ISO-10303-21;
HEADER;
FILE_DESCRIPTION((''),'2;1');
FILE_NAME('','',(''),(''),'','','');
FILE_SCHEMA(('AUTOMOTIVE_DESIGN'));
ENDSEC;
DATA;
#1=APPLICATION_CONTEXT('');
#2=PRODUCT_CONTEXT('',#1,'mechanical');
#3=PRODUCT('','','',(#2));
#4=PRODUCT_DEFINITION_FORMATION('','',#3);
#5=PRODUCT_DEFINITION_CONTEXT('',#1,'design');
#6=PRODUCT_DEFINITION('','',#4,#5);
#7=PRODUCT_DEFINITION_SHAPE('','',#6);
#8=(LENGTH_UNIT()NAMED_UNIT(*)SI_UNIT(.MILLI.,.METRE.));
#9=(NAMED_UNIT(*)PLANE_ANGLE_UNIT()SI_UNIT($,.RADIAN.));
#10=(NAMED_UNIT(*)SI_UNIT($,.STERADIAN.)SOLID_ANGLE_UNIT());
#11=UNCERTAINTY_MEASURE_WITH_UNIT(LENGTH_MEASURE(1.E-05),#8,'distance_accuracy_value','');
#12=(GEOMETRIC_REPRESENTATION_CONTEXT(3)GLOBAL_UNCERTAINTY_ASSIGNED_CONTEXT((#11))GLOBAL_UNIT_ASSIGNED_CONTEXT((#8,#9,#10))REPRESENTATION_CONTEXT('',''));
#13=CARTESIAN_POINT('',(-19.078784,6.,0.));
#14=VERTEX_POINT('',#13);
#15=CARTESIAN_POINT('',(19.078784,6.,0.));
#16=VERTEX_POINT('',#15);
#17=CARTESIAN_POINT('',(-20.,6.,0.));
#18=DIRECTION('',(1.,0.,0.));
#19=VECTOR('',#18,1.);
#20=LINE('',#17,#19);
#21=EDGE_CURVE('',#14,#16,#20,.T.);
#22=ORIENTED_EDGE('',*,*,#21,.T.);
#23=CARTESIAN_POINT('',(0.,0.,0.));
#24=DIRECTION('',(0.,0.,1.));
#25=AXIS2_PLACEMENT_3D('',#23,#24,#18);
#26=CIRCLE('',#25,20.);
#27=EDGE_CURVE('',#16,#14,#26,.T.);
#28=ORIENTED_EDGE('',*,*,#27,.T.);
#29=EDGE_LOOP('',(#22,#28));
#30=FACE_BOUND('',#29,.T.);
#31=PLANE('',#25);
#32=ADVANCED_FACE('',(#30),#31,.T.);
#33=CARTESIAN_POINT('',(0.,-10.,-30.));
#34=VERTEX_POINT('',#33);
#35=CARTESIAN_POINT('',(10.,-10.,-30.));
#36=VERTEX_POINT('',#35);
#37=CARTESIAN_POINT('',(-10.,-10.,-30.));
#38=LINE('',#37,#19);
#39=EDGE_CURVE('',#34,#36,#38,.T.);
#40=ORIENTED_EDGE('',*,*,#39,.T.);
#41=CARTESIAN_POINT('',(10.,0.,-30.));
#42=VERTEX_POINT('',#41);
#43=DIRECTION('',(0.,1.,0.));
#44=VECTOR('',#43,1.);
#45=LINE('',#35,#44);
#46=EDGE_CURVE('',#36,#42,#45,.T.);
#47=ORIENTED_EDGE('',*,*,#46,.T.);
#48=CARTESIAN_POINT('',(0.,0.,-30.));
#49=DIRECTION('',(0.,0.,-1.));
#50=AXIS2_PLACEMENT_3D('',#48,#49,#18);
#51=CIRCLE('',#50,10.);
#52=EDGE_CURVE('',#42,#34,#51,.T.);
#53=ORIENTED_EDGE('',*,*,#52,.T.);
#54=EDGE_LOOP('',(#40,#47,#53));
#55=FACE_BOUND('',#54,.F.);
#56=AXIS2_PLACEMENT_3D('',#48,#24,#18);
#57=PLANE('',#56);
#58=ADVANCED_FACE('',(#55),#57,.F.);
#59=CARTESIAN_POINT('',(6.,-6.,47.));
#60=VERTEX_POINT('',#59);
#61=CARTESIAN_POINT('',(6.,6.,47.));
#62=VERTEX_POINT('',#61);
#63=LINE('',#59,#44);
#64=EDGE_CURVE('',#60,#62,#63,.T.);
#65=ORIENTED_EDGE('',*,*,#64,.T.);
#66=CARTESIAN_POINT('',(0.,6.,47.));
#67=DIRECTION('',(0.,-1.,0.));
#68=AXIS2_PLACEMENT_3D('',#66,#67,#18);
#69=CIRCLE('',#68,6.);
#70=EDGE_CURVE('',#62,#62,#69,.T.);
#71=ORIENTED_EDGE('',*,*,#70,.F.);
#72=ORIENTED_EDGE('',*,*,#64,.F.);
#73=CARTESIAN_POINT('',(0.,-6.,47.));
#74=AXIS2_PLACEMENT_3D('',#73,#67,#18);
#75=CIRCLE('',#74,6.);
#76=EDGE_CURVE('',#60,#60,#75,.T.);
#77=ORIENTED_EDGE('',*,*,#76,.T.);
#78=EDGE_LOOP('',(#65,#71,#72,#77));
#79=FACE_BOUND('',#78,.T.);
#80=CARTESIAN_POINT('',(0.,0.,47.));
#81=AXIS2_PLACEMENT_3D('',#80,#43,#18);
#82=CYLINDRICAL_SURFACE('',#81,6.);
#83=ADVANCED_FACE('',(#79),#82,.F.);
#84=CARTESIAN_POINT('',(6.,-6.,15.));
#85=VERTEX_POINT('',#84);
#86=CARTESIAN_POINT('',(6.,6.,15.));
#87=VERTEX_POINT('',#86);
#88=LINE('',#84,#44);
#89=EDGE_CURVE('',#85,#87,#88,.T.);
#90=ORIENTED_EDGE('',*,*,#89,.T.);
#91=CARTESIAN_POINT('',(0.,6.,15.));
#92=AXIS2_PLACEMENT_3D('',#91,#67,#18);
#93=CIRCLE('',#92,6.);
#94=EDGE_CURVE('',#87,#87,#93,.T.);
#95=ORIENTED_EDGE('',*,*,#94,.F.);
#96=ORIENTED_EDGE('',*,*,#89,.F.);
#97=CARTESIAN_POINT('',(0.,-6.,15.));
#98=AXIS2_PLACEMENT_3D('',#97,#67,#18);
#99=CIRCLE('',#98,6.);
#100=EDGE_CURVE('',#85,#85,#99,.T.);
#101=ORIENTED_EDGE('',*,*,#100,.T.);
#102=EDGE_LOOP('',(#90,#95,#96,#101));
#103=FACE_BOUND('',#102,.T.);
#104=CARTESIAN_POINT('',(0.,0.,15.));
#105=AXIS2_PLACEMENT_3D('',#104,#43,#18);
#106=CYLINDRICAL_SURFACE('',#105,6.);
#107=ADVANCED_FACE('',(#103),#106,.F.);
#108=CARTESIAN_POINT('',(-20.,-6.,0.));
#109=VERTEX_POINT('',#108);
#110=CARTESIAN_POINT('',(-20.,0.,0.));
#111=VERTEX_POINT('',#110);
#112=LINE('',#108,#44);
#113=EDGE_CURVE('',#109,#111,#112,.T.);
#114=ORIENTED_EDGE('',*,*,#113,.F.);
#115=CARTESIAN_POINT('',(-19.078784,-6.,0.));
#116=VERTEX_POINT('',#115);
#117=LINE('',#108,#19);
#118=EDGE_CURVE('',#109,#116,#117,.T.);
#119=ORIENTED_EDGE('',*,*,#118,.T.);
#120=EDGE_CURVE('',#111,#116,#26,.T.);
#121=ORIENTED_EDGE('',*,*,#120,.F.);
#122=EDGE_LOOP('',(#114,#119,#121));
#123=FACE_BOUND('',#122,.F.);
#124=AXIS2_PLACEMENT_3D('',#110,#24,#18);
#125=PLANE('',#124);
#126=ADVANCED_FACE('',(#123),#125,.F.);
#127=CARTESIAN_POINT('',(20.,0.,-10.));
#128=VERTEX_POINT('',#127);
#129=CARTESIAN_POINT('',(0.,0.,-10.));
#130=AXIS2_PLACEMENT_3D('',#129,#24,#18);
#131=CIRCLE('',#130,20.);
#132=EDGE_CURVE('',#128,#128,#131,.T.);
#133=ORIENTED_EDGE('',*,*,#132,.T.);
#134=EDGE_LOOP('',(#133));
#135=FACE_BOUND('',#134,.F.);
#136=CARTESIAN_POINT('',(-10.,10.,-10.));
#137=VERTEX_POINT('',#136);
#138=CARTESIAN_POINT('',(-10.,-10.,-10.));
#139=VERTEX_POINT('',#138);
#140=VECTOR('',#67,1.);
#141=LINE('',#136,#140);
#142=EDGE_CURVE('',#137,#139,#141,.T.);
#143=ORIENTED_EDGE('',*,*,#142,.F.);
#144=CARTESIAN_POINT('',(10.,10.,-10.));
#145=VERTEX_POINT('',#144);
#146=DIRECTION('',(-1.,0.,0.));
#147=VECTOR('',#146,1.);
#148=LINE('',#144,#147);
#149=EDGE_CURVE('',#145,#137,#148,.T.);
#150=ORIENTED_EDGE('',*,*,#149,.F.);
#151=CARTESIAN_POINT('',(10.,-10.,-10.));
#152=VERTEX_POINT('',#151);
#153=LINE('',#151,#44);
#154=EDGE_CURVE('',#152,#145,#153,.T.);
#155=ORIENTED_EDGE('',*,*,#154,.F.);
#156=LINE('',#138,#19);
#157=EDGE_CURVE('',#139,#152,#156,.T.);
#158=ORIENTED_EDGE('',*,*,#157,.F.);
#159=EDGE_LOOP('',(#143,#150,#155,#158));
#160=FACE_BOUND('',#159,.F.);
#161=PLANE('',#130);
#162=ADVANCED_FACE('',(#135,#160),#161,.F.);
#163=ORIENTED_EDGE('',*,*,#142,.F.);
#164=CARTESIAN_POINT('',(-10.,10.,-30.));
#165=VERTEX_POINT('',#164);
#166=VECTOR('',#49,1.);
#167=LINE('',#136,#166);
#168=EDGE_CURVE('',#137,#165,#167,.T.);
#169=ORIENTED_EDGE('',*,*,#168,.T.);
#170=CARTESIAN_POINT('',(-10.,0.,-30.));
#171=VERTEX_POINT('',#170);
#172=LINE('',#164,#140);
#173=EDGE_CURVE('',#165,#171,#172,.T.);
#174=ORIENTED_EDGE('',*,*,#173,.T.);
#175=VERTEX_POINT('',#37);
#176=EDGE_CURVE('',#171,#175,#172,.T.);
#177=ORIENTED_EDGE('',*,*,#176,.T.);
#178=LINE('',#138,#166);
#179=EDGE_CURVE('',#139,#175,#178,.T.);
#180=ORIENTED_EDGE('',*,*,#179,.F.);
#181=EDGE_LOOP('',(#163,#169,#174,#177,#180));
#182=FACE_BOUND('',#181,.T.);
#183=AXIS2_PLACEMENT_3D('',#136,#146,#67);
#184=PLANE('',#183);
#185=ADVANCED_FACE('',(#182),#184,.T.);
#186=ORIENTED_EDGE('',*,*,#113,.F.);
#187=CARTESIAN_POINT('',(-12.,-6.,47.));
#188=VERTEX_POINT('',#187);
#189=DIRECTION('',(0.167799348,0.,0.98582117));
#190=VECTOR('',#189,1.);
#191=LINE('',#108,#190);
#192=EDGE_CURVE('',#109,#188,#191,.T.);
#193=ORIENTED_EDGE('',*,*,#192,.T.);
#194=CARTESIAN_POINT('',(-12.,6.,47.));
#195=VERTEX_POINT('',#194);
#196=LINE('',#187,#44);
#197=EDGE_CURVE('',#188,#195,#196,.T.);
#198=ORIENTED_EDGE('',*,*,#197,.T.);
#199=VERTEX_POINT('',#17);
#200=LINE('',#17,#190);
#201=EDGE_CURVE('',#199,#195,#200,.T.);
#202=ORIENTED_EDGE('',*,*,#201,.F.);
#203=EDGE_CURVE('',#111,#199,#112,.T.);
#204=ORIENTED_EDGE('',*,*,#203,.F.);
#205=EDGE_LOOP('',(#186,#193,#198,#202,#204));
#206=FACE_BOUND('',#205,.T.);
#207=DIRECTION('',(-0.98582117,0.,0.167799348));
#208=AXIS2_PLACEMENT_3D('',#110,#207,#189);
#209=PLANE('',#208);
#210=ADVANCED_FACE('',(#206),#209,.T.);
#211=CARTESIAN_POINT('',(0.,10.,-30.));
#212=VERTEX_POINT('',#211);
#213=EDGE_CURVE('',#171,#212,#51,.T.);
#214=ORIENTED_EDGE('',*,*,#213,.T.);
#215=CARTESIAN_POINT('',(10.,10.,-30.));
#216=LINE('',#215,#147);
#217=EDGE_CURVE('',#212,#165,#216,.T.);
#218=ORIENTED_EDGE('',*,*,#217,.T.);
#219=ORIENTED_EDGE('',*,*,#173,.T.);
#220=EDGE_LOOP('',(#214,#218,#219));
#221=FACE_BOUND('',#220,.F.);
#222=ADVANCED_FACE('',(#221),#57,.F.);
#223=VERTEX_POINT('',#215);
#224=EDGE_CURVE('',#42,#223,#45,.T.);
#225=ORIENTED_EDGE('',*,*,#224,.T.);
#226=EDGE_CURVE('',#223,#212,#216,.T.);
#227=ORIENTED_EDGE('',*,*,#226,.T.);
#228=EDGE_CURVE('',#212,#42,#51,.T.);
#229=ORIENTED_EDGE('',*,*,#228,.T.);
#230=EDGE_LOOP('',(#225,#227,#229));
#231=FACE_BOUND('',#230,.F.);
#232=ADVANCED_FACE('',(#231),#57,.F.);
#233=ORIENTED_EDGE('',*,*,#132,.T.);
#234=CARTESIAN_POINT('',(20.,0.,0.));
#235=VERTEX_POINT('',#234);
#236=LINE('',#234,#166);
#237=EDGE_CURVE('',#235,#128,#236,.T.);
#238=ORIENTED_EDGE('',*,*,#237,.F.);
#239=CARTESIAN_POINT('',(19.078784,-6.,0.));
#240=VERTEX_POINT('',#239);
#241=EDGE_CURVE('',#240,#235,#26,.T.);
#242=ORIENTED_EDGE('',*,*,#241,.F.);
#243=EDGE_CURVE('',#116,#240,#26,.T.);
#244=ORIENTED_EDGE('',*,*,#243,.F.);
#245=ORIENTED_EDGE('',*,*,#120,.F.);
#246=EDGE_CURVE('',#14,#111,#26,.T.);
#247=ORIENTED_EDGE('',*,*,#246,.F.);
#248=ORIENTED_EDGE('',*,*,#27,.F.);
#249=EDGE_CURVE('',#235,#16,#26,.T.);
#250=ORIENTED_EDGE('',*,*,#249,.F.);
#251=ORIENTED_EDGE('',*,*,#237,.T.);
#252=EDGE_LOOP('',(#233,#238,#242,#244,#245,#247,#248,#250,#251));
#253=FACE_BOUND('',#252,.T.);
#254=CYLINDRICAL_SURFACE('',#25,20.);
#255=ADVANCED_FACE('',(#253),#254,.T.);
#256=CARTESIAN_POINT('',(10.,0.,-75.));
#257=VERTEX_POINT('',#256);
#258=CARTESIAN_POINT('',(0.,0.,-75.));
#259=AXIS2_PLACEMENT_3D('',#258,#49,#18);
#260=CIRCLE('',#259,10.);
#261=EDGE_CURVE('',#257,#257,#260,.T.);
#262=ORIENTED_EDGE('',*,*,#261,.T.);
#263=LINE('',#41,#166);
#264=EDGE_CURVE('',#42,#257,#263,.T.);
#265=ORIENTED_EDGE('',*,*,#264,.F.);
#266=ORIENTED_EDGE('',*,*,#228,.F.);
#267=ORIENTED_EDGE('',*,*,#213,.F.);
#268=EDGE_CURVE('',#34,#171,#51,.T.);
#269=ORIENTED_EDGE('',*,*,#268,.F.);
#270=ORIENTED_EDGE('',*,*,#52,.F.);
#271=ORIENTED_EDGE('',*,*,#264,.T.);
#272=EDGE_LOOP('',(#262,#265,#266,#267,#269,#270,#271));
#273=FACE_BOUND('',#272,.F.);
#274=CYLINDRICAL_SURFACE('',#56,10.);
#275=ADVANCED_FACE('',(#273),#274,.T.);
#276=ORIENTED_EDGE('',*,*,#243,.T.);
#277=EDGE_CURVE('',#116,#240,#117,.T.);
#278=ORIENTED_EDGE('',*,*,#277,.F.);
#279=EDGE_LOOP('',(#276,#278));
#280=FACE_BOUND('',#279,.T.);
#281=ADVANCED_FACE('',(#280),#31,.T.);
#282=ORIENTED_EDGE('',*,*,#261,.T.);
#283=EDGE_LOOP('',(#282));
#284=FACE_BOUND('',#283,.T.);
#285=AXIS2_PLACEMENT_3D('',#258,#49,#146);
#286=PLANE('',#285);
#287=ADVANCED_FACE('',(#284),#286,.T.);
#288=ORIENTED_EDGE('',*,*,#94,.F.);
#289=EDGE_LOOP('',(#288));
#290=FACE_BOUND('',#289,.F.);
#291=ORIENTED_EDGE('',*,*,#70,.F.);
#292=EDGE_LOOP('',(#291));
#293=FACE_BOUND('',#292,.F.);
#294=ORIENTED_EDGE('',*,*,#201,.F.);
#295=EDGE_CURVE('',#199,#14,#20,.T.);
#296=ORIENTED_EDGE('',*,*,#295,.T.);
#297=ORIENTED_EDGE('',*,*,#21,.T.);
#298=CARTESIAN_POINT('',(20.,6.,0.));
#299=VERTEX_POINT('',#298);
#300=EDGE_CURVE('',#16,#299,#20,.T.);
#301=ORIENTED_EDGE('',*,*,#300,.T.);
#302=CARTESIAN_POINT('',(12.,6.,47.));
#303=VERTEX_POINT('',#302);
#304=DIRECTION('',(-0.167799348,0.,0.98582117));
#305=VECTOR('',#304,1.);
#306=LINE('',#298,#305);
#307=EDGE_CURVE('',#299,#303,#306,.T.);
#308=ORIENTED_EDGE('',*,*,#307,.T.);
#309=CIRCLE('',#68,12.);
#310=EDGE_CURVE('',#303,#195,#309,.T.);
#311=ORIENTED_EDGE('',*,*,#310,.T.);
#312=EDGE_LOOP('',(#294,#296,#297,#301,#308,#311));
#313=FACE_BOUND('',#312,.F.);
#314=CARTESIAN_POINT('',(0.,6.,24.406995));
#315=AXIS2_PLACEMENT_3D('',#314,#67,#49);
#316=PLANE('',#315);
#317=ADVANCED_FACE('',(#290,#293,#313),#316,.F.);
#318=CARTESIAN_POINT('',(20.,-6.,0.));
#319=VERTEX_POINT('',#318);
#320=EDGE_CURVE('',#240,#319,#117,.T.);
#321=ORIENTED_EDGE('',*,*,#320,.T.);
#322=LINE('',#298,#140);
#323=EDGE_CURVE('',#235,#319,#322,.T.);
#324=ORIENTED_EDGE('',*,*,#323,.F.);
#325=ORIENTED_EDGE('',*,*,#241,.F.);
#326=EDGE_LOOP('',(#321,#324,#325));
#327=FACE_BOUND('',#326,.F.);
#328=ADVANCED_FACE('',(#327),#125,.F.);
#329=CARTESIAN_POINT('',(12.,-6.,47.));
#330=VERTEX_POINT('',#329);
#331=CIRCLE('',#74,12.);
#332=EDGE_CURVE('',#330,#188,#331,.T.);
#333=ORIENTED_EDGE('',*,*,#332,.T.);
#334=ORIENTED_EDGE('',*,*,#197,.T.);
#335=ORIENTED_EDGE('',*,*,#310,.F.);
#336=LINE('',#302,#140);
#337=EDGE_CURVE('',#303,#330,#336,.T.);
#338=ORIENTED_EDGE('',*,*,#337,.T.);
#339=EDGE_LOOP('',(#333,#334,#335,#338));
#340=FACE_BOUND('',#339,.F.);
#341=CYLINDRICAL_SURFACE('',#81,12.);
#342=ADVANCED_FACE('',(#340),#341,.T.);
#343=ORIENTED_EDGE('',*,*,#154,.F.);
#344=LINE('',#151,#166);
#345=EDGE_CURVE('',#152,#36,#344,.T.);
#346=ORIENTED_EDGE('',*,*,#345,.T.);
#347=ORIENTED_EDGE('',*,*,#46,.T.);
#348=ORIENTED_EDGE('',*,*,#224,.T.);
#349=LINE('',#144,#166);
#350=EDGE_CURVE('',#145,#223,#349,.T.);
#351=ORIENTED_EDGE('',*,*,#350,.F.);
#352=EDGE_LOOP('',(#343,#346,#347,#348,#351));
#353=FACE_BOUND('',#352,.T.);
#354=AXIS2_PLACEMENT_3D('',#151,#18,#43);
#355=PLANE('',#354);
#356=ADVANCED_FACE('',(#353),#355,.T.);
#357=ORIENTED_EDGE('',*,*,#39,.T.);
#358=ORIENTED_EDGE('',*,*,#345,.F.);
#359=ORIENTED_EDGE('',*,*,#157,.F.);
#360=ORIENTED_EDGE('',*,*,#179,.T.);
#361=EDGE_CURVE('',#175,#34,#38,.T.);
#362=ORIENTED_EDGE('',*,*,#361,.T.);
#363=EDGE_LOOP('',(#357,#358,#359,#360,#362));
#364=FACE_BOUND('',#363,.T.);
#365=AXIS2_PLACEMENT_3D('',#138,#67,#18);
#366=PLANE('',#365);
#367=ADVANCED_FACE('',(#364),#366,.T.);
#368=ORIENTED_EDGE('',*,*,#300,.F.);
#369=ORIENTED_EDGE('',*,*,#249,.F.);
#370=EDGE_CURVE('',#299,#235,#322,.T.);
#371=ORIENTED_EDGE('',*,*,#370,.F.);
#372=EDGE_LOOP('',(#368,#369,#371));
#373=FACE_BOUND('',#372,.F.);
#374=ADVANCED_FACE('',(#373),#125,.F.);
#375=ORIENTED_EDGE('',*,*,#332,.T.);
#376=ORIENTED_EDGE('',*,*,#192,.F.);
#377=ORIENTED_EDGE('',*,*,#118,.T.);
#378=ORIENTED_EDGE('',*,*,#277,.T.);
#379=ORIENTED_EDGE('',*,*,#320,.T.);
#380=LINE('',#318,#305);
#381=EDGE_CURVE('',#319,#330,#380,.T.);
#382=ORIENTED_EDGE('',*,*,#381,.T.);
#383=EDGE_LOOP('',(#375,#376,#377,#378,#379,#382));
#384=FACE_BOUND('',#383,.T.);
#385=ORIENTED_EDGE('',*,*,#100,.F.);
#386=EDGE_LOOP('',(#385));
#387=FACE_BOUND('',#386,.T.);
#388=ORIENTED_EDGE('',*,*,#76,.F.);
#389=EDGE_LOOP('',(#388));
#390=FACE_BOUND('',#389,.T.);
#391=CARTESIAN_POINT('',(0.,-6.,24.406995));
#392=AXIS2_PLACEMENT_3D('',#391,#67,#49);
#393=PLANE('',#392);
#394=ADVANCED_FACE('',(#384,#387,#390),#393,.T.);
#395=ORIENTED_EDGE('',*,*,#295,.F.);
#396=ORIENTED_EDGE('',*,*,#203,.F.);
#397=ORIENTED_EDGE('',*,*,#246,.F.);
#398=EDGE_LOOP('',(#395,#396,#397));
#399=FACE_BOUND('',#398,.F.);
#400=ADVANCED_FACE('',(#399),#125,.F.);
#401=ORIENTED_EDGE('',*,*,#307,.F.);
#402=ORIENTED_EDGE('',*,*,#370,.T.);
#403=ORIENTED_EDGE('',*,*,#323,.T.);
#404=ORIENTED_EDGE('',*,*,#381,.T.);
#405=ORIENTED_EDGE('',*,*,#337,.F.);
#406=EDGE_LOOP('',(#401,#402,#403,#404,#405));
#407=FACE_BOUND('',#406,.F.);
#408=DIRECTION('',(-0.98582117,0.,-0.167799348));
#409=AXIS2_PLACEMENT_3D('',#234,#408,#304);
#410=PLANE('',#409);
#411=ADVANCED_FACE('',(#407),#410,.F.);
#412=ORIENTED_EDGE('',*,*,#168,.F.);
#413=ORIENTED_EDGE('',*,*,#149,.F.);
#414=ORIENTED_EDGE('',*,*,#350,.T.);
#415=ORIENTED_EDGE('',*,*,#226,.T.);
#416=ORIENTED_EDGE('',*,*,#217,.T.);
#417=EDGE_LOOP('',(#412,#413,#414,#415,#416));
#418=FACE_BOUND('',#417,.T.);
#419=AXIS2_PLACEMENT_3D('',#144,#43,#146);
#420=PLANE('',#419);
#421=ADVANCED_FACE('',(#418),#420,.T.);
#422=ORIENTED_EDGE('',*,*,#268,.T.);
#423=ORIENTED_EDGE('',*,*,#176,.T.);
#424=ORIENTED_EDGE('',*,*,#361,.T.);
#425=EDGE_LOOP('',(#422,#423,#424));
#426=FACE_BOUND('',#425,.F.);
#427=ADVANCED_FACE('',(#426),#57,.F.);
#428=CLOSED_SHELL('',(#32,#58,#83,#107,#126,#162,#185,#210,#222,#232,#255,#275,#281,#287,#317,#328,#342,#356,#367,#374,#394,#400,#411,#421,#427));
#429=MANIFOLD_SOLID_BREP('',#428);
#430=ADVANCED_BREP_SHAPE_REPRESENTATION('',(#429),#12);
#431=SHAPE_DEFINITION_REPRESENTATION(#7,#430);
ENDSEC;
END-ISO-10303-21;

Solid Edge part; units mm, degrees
sketch "Sketch1" plane through (0, 0, 0) normal (0, -1, 0) x (1, 0, 0)
  circle A0 centre (0, 47) radius 6
  line L0 (-20, 0) -> (20, 0)
  line L1 (20, 0) -> (12, 47)
  line L2 (-20, 0) -> (-12, 47)
  arc A1 (12, 47) -> (-12, 47) centre (0, 47) ccw
  circle A2 centre (0, 15) radius 6
  dimension "D1" = 15
  dimension "D2" = 32
  dimension "D3" = 40
  dimension "D4" = 12
  dimension "D5" = 12
  dimension "D6" = 12
extrude "Protrusion1" add sketch "Sketch1" along normal mid plane 12
sketch "Sketch2" plane through (0, 0, 0) normal (0, 0, 1) x (1, 0, 0)
  circle A0 centre (0, 0) radius 20
extrude "ExtrudedProtrusion_6" add sketch "Sketch2" against normal blind 10
sketch "Sketch3" plane through (0, 0, -10) normal (0, 0, -1) x (1, 0, 0)
  line L0 (-10, 10) -> (10, 10)
  line L1 (10, 10) -> (10, -10)
  line L2 (10, -10) -> (-10, -10)
  line L3 (-10, -10) -> (-10, 10)
  dimension "D1" = 20
  dimension "D2" = 20
extrude "ExtrudedProtrusion_7" add sketch "Sketch3" along normal blind 20
sketch "Sketch4" plane through (0, 0, -30) normal (0, 0, -1) x (1, 0, 0)
  circle A0 centre (0, 0) radius 10
extrude "ExtrudedProtrusion_8" add sketch "Sketch4" along normal blind 45
cosmetic_thread "Thread1" size "Tr 20 x 4"
properties part number "3" material "Fe 410 W"
